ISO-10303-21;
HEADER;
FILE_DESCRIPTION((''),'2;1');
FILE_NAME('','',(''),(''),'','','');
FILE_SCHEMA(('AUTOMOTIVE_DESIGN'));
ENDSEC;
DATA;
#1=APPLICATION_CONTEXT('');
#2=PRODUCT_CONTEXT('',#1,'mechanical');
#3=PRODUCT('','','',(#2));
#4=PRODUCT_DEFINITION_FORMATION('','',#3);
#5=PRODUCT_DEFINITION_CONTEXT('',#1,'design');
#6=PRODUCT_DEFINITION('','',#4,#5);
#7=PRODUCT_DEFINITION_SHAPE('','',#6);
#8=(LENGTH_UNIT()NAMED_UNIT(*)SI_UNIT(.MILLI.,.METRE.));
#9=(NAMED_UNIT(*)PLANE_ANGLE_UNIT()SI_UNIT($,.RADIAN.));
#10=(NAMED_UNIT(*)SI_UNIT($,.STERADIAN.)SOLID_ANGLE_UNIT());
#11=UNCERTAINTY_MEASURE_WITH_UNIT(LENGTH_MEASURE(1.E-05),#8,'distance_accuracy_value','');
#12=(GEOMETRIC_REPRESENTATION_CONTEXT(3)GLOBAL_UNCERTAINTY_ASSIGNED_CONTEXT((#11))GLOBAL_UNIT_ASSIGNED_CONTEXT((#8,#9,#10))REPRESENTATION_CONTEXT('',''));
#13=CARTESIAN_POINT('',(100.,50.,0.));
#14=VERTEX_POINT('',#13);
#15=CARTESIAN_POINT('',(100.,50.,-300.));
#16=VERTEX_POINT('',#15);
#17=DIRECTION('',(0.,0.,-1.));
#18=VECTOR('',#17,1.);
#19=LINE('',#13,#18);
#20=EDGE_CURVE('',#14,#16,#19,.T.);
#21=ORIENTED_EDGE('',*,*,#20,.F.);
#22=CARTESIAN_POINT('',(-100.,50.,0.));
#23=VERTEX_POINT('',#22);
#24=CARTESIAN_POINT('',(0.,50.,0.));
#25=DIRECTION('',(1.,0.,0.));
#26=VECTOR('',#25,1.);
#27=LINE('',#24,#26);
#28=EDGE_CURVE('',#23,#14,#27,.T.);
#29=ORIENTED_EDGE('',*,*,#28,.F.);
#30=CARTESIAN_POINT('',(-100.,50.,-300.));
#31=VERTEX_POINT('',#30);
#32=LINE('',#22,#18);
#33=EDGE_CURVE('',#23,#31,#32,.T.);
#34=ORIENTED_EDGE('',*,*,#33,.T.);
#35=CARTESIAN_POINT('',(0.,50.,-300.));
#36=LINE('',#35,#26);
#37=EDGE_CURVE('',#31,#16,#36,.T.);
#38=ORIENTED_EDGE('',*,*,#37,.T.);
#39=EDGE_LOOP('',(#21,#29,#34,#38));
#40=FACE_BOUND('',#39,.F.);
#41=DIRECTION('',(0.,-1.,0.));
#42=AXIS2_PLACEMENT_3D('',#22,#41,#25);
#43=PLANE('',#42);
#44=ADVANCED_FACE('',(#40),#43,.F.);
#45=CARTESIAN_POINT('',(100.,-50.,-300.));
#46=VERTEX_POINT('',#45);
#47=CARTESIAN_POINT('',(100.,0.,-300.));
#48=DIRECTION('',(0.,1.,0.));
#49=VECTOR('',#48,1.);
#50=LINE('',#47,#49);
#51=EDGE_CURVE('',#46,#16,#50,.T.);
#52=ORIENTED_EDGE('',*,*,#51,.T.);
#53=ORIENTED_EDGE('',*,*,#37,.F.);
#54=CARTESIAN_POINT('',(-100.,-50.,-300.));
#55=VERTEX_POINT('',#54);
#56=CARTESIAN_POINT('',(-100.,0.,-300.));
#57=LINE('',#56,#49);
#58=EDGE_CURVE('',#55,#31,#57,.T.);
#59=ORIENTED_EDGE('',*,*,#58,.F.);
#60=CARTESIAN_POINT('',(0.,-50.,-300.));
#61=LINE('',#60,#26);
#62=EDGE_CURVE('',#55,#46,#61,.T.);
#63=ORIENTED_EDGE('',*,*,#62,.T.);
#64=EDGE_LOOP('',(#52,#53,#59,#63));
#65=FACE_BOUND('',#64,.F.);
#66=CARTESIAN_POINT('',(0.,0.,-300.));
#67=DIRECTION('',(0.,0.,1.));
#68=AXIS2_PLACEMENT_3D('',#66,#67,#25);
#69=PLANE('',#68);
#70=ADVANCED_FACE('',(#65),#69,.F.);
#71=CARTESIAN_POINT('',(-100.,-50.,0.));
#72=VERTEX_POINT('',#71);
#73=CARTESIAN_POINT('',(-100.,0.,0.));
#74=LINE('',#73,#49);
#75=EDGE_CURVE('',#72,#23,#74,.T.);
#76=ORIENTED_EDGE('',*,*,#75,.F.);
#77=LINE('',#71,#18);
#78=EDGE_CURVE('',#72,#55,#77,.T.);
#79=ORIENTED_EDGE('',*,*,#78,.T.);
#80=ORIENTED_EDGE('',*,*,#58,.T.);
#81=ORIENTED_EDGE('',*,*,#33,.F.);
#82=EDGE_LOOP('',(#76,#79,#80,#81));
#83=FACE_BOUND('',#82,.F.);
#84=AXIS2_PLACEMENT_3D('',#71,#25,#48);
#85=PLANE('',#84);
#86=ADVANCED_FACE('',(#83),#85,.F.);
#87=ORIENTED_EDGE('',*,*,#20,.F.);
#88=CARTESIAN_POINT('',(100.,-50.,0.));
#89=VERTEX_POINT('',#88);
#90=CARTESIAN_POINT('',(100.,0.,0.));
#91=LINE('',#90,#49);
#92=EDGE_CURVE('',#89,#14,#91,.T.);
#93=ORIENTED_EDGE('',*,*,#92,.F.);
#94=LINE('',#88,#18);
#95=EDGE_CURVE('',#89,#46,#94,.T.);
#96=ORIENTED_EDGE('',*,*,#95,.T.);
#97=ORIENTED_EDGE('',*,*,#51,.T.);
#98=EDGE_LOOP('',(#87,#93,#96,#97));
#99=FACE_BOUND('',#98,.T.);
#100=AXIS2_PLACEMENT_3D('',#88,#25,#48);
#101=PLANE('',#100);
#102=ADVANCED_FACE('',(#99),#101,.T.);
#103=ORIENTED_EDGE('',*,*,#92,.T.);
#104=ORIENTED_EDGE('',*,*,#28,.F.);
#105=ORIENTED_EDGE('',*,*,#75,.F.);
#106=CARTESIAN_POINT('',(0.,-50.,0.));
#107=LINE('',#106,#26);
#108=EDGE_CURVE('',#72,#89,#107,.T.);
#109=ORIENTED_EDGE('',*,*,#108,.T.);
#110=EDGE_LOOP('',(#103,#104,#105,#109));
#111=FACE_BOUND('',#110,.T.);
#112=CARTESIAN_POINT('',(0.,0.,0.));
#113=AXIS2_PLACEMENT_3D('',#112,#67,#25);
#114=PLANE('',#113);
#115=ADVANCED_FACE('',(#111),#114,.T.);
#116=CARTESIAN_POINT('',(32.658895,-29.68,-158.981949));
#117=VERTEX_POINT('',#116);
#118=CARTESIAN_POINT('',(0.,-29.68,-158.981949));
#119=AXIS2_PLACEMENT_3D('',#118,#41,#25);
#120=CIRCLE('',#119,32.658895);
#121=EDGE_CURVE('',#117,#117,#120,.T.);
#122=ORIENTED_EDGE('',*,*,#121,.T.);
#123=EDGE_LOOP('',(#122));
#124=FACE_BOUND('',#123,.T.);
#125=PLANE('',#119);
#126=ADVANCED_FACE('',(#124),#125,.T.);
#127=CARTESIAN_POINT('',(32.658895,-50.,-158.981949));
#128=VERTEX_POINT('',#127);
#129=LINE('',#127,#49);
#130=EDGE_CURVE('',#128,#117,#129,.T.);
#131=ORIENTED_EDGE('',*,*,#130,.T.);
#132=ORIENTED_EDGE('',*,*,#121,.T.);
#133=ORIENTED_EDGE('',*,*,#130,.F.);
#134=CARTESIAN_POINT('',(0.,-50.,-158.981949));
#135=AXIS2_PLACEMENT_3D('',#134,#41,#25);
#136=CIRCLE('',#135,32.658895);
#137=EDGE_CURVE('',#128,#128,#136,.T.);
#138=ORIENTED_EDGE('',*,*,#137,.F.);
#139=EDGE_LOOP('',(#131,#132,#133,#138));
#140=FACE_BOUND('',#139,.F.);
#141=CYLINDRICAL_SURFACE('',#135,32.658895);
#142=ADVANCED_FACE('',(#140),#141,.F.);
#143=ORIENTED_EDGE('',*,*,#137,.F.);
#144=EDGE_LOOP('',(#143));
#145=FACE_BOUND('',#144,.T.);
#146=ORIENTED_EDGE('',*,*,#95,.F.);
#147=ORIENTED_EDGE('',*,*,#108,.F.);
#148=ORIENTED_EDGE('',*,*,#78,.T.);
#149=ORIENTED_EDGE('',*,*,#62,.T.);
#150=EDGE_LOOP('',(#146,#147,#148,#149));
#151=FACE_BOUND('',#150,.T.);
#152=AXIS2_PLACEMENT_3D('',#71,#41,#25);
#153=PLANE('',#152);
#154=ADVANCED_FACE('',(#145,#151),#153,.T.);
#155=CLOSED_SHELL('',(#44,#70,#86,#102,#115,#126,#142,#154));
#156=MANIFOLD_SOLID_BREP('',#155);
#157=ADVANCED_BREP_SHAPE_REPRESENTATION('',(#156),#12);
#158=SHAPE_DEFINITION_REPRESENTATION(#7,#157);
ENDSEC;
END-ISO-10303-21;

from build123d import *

# Parameters (mm, degrees)
F0_W     = 200
F0_H     = 100
F1_DEPTH = 300
F2_R     = 32.658895
F3_DEPTH = 20.32


with BuildPart() as f1:
    # F0 (on Top) → F1 (new body)
    with BuildSketch(Plane.XY):
        Rectangle(F0_W, F0_H)
    extrude(amount=-F1_DEPTH)

    # F2 (on face) → F3 (cut)
    with BuildSketch(Plane.XZ.offset(50)):
        with Locations((0, -158.981949)):
            Circle(F2_R)
    extrude(amount=-F3_DEPTH, mode=Mode.SUBTRACT)


solid = f1.part
